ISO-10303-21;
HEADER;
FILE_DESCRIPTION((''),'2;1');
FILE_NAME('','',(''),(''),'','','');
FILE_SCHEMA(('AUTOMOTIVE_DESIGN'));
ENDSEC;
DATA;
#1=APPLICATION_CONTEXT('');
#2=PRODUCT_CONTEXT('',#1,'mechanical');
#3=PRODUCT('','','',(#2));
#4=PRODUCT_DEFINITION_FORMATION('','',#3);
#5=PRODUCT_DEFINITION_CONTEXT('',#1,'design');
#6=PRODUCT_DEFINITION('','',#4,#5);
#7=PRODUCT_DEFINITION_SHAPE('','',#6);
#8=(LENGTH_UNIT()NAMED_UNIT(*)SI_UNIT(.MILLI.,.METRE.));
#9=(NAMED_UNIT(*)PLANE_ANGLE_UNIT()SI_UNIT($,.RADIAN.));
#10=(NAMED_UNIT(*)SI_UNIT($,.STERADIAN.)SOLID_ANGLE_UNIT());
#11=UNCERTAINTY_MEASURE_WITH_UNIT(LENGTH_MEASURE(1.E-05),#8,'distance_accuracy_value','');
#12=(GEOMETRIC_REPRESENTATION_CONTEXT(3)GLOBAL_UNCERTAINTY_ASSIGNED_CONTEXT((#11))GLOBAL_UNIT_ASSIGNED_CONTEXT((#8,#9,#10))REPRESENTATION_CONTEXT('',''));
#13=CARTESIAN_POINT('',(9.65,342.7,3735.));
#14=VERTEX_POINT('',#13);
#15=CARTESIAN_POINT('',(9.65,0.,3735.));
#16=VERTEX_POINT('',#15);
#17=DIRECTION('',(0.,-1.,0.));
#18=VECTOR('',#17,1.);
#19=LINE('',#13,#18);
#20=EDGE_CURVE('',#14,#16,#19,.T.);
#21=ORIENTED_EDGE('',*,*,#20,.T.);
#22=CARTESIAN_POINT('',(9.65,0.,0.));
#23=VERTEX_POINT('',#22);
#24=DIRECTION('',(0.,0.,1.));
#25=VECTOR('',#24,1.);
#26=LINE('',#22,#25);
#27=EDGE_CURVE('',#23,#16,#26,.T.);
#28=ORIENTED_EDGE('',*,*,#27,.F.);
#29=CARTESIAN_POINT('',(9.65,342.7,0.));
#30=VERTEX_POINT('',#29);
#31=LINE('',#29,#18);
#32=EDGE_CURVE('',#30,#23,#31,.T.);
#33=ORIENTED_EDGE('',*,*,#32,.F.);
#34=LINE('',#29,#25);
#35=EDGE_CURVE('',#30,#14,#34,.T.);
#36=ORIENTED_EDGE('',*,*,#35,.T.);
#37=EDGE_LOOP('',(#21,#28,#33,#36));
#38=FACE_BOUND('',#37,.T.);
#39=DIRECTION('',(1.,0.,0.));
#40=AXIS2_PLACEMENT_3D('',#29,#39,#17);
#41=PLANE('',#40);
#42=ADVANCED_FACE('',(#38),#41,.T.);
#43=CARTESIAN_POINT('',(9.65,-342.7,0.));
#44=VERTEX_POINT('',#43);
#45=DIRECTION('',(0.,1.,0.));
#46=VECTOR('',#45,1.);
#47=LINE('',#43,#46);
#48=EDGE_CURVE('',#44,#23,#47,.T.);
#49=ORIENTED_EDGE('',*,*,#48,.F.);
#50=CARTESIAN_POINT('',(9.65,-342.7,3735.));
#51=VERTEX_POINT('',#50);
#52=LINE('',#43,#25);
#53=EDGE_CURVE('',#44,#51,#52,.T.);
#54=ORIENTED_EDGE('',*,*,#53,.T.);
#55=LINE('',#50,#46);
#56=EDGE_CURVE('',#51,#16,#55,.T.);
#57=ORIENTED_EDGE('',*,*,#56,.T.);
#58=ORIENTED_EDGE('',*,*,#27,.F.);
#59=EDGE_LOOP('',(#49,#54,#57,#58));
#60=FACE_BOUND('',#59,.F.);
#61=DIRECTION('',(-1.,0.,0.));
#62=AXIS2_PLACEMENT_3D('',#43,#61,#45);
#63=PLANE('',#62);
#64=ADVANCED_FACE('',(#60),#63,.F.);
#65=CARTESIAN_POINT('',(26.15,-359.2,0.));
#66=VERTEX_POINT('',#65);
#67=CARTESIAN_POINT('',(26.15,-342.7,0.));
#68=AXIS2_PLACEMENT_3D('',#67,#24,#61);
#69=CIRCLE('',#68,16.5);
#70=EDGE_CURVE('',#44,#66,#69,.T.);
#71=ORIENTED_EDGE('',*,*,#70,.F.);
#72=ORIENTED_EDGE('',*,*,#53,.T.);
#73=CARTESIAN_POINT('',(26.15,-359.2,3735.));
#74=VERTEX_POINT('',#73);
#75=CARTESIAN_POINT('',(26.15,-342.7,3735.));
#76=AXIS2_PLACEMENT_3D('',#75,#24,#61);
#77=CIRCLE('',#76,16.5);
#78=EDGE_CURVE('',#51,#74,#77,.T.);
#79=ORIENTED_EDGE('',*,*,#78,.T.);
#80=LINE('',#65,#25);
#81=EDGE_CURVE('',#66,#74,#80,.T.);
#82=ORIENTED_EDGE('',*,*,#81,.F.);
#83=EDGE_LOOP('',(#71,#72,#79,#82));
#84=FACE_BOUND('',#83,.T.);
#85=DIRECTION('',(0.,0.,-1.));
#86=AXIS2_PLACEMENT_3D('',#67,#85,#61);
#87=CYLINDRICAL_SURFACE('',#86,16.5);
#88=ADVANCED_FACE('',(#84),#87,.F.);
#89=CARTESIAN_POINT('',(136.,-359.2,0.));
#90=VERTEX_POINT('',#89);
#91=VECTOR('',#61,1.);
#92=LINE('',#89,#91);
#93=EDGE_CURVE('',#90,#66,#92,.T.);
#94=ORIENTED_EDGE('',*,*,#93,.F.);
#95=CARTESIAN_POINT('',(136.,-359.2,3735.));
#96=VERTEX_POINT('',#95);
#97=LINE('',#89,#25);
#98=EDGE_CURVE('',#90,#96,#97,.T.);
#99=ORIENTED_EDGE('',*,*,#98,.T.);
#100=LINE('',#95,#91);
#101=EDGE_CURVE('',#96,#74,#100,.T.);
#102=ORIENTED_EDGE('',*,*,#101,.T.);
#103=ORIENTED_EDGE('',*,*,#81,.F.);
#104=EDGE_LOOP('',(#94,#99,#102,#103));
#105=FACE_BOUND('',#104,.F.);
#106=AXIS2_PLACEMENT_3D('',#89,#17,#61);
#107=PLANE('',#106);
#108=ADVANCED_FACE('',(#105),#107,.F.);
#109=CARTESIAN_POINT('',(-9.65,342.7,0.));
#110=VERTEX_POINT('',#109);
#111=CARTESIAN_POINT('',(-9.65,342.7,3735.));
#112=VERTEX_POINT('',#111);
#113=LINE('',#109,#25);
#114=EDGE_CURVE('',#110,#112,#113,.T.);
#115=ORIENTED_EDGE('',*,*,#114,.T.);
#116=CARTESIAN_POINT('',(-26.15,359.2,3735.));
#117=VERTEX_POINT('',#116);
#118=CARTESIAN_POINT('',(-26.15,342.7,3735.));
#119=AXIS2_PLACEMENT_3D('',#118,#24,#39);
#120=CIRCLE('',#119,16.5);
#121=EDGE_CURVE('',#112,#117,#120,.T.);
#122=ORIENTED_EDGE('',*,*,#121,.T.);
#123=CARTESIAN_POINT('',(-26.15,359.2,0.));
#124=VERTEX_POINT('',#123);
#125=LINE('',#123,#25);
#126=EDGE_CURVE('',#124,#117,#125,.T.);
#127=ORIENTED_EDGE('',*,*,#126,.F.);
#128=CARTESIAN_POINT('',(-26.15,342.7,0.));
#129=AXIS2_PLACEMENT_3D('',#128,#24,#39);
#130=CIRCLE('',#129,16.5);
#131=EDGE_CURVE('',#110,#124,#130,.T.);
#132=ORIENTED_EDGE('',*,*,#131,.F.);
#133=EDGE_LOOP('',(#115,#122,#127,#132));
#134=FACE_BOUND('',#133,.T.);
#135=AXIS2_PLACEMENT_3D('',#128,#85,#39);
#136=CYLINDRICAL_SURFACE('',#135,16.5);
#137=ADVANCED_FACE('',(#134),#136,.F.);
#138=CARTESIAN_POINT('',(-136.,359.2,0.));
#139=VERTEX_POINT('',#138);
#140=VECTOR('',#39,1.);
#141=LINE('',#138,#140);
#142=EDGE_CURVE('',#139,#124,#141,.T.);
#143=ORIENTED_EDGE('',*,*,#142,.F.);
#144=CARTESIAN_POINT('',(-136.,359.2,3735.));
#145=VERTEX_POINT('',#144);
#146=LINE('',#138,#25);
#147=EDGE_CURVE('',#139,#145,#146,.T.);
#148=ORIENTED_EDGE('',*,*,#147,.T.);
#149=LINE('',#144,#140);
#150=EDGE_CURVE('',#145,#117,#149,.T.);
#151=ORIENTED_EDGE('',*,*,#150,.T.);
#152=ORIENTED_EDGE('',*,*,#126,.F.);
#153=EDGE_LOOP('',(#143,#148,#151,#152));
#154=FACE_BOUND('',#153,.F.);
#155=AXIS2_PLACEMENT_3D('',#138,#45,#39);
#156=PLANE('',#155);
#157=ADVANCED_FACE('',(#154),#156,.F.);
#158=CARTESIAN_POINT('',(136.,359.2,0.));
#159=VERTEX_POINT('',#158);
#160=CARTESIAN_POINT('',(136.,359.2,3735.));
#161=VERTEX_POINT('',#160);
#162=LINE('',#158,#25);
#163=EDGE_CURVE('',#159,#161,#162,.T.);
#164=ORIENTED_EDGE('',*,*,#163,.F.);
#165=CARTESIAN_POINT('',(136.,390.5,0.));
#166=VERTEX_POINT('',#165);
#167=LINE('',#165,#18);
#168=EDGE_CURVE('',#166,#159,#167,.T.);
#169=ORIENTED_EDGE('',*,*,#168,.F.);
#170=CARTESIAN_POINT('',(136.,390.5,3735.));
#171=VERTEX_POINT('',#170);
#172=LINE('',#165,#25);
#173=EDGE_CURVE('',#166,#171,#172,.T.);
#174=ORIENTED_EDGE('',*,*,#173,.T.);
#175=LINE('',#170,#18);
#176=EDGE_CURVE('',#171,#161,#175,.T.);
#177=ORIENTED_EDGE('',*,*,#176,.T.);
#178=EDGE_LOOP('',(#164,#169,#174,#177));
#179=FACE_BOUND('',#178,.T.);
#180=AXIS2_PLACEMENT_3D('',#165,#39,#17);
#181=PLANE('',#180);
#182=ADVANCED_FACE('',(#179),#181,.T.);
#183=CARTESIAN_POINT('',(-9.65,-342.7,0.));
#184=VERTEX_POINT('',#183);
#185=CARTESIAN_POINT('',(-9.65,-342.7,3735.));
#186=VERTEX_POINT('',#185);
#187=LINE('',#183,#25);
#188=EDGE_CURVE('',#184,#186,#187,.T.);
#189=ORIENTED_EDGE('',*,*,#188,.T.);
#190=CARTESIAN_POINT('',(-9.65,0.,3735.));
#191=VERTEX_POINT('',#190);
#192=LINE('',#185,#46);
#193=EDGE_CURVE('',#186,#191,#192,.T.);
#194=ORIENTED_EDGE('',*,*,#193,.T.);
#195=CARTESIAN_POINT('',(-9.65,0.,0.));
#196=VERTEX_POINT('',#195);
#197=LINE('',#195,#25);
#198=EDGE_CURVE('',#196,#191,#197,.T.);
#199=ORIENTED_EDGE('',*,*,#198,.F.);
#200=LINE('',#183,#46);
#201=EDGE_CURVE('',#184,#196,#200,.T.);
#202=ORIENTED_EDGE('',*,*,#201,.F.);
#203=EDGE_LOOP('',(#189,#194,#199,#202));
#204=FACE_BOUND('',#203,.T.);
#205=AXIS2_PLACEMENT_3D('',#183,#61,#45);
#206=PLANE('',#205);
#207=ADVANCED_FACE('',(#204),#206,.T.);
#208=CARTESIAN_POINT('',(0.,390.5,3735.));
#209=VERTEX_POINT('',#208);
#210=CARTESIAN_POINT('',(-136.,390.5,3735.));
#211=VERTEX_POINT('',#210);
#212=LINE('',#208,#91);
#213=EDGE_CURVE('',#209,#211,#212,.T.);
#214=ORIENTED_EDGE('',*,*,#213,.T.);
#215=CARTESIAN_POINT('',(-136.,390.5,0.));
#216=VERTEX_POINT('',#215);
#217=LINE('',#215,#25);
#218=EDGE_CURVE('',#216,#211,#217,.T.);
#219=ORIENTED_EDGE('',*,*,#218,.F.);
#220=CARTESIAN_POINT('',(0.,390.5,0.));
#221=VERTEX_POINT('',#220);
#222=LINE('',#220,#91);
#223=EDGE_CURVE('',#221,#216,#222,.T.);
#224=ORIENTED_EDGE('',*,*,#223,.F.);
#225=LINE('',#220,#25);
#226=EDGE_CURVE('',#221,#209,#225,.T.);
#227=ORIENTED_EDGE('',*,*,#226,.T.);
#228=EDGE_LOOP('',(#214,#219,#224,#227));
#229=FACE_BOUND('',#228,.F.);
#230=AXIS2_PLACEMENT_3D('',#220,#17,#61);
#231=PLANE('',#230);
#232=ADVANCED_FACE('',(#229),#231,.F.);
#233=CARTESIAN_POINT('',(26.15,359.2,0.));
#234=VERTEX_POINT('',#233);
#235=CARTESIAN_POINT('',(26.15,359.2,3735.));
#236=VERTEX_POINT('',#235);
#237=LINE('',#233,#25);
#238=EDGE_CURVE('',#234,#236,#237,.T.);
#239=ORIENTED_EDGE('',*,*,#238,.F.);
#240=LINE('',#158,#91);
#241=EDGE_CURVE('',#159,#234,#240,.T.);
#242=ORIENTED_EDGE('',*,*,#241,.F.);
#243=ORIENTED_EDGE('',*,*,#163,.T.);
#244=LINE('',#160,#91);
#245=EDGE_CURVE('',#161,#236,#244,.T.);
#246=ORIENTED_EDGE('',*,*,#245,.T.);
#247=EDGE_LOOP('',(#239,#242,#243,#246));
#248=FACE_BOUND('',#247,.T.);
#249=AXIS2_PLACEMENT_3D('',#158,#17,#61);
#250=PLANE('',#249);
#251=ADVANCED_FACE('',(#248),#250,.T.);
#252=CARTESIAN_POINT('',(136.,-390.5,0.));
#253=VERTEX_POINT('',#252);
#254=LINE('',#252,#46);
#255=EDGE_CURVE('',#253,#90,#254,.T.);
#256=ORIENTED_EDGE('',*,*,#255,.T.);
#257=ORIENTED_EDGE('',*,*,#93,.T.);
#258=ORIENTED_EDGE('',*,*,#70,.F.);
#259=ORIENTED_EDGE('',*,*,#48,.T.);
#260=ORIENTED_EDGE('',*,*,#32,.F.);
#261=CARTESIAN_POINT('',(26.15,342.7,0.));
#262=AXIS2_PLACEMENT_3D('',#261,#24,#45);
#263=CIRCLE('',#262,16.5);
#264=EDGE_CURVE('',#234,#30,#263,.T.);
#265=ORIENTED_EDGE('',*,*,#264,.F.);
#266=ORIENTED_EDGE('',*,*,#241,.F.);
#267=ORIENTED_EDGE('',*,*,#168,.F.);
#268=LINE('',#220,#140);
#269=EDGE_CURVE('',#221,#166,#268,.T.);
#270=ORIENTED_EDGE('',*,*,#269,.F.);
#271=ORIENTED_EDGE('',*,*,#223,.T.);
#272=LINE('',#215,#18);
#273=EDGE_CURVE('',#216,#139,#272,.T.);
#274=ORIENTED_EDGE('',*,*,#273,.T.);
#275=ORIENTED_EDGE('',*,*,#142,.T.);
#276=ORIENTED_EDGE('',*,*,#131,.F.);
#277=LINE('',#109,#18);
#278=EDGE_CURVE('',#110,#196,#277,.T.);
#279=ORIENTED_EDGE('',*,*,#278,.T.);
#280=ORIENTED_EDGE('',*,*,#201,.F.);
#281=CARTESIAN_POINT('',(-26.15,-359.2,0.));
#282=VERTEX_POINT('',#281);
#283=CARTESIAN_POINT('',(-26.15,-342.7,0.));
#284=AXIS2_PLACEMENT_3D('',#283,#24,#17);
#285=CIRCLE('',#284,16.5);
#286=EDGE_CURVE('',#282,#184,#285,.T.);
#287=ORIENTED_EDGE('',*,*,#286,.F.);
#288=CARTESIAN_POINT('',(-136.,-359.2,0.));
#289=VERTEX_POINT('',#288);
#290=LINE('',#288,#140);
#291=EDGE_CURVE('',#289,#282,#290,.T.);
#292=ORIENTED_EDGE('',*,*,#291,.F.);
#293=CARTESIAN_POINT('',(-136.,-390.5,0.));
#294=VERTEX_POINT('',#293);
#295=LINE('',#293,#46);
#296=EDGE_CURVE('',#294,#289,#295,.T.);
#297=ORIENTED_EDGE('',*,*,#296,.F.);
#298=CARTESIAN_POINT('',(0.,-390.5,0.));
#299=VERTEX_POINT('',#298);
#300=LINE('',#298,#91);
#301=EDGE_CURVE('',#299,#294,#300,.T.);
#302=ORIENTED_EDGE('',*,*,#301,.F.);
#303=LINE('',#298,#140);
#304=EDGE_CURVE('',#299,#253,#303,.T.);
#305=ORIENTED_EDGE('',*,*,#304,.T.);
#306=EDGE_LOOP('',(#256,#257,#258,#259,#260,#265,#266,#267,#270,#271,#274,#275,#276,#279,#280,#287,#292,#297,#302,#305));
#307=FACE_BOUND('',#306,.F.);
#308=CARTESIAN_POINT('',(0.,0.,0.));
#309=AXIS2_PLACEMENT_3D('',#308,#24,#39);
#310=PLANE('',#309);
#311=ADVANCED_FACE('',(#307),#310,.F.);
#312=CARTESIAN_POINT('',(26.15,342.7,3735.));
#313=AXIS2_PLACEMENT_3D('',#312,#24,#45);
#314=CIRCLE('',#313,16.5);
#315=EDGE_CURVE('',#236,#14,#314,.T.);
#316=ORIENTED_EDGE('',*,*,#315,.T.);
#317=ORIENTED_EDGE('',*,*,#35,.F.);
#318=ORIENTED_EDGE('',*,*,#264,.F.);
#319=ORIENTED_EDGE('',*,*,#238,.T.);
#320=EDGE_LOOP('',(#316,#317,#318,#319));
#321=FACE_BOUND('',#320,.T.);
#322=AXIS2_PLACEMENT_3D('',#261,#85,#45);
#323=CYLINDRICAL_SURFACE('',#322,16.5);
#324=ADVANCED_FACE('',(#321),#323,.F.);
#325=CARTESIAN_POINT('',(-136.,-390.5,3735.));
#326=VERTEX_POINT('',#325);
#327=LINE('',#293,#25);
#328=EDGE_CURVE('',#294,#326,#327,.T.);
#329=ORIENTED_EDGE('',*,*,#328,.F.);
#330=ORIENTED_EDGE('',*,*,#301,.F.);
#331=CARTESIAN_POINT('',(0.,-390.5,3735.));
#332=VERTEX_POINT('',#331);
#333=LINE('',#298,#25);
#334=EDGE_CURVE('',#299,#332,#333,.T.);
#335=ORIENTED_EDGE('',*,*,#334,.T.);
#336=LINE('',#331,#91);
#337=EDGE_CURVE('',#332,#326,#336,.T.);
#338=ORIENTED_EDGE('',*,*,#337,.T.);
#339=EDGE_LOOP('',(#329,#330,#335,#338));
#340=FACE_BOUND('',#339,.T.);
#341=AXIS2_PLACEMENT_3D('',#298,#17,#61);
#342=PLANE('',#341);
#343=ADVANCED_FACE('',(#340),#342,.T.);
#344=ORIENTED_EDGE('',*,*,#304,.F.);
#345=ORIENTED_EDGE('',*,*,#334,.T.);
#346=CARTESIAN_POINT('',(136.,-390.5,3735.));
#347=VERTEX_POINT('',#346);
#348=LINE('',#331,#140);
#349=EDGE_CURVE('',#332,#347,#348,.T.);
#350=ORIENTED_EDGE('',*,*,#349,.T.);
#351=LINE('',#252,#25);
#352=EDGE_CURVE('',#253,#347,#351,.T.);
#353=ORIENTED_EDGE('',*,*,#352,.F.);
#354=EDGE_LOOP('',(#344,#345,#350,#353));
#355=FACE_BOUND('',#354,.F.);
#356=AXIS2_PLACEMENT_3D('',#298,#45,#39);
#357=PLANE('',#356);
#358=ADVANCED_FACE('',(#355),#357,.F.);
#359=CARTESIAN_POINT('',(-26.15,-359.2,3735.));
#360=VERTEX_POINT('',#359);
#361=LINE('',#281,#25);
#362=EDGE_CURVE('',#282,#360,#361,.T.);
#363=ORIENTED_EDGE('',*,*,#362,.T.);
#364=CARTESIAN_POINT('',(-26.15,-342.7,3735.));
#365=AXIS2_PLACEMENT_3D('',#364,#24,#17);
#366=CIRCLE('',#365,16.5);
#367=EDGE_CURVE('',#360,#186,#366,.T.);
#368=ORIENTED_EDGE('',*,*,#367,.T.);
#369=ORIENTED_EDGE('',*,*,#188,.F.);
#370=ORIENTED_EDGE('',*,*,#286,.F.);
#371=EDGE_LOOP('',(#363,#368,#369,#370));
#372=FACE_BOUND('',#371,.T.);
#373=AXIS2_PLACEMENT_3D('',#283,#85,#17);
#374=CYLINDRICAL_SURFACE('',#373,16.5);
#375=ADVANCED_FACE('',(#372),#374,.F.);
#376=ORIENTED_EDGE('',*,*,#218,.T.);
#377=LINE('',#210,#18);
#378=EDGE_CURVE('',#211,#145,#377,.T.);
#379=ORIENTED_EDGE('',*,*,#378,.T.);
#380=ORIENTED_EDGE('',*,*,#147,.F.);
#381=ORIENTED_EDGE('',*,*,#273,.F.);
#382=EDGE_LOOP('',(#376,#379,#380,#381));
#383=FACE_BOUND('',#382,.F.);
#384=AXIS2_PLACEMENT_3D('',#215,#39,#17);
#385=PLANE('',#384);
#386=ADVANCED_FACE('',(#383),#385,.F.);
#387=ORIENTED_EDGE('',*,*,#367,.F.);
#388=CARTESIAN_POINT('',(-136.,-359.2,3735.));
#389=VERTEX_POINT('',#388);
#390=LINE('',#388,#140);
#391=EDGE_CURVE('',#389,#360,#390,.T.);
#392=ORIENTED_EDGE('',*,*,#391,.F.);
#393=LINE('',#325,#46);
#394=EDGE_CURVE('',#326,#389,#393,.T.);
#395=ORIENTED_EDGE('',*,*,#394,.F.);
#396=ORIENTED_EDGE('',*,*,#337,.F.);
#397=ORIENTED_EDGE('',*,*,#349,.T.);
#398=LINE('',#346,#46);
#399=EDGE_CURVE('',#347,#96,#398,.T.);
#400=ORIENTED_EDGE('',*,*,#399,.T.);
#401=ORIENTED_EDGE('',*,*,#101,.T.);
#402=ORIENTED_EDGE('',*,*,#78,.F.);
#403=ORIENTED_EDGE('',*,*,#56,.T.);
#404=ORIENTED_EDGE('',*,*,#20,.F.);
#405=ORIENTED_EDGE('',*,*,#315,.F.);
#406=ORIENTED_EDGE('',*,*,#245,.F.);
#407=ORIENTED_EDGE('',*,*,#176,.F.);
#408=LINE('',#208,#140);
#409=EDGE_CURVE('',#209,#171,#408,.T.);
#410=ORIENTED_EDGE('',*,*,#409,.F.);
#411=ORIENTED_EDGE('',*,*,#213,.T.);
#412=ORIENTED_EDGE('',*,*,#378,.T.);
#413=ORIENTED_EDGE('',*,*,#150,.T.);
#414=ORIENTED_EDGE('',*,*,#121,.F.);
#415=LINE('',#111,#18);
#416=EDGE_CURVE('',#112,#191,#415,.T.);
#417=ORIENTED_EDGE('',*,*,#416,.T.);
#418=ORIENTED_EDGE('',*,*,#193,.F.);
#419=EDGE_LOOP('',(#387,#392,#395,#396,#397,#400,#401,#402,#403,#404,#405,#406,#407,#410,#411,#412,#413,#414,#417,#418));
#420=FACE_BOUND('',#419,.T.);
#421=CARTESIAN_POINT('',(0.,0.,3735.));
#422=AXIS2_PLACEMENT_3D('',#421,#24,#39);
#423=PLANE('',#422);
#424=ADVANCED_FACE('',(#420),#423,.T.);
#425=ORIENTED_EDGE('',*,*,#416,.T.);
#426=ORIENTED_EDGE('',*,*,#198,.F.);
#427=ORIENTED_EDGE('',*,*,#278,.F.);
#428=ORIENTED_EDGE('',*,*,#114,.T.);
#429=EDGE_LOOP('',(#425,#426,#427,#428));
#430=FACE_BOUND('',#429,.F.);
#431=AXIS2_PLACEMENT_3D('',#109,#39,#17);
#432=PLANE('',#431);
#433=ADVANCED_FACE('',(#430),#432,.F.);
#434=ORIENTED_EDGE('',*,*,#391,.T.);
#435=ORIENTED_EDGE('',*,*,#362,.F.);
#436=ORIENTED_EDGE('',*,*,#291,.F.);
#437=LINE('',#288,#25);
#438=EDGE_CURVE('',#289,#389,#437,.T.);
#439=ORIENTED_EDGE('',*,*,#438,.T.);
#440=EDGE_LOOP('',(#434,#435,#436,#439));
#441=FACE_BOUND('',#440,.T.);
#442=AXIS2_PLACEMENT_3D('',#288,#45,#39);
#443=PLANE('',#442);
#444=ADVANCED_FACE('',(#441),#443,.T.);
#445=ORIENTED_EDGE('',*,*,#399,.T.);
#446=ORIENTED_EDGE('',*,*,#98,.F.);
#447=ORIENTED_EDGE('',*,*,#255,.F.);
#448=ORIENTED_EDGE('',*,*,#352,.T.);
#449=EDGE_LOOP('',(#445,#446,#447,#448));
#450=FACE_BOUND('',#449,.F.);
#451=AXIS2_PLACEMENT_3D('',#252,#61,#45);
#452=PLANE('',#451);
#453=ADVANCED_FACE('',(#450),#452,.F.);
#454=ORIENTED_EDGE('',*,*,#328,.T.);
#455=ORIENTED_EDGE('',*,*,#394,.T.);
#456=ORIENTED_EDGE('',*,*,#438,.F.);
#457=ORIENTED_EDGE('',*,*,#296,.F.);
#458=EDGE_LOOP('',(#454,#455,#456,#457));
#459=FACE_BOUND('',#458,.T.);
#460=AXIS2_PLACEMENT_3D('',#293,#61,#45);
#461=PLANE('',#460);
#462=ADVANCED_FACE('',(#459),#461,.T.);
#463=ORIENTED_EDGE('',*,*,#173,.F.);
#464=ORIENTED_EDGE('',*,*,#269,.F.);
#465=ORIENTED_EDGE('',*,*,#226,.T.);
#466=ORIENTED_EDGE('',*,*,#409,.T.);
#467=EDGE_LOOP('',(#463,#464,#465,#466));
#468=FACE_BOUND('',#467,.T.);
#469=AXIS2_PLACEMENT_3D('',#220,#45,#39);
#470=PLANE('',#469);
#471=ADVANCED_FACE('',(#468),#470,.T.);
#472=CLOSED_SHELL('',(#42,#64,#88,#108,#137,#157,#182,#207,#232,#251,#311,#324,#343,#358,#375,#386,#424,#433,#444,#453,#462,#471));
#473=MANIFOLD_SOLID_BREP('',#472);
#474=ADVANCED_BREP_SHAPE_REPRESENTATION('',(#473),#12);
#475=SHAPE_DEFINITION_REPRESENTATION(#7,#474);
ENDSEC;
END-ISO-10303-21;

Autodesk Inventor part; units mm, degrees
ref_plane "YZ Plane" through (0, 0, 0) normal (1, 0, 0) x (0, 1, 0)
ref_plane "Start plane" through (0, 0, 0) normal (0, 0, 1) x (1, 0, 0)
ref_plane "End plane" through (0, 0, 3735) normal (0, 0, 1) x (1, 0, 0)
sketch "Sketch" plane through (0, 0, 0) normal (0, 0, 1) x (1, 0, 0)
  line L0 (-136, -390.5) -> (-136, -359.2)
  line L1 (-136, -359.2) -> (-26.15, -359.2)
  line L2 (-9.65, -342.7) -> (-9.65, 0)
  line L3 (-9.65, 0) -> (0, 0) construction
  line L4 (0, 0) -> (0, -390.5) construction
  line L5 (0, -390.5) -> (-136, -390.5)
  line L6 (-60, 0) -> (80, 0) construction
  line L7 (0, -60) -> (0, 80) construction
  line L8 (136, -390.5) -> (136, -359.2)
  line L9 (136, -359.2) -> (26.15, -359.2)
  line L10 (9.65, -342.7) -> (9.65, 0)
  line L11 (9.65, 0) -> (0, 0) construction
  line L12 (0, -390.5) -> (136, -390.5)
  line L13 (-136, 390.5) -> (-136, 359.2)
  line L14 (-136, 359.2) -> (-26.15, 359.2)
  line L15 (-9.65, 342.7) -> (-9.65, 0)
  line L16 (0, 390.5) -> (-136, 390.5)
  line L17 (136, 390.5) -> (136, 359.2)
  line L18 (136, 359.2) -> (26.15, 359.2)
  line L19 (0, 390.5) -> (136, 390.5)
  line L20 (9.65, 342.7) -> (9.65, 0)
  arc A0 (-9.65, 342.7) -> (-26.15, 359.2) centre (-26.15, 342.7) ccw
  arc A1 (26.15, 359.2) -> (9.65, 342.7) centre (26.15, 342.7) ccw
  arc A2 (9.65, -342.7) -> (26.15, -359.2) centre (26.15, -342.7) ccw
  arc A3 (-26.15, -359.2) -> (-9.65, -342.7) centre (-26.15, -342.7) ccw
  line L21 (0, 108) -> (0, -88) construction
  line L22 (-88, 0) -> (108, 0) construction
  point P0 (-9.65, -359.2)
  point P1 (9.65, -359.2)
  point P2 (-9.65, 359.2)
  point P3 (9.65, 359.2)
  dimension "d1" = 390.5
  dimension "d2" = 31.3
  dimension "d3" = 136
  dimension "d4" = 9.65
  dimension "d10" = 16.5
extrude "Body" add sketch "Sketch" along normal up to surface (3735 mm away) from surface at 0
sketch "Sketch4" plane through (0, 0, 0) normal (0, 0, 1) x (1, 0, 0)
  line L0 (0, 0) -> (10, 0)
ref_plane "Work Plane3" through (0, 0, 0) normal (0, -1, 0) x (1, 0, 0)
sketch "Sketch5" plane through (0, 0, 0) normal (0, -1, 0) x (1, 0, 0)
  line L0 (-2, 0) -> (12, 0) projected
  line L1 (-2, 3735) -> (12, 3735) projected
  dimension "d14" = 3735
equation "\"d1\" = 0.5 * G_H"
equation "\"d2\" = G_T1"
equation "\"d3\" = 0.5 * G_W"
equation "\"d4\" = 0.5 * G_T"
equation "\"d10\" = G_IR"
equation "\"d5\" = G_L"
equation "\"G_W\" = 272"
equation "\"G_H\" = 781"
equation "\"G_T\" = 19.3"
equation "\"G_T1\" = 31.3"
equation "\"G_IR\" = 16.5"
equation "\"G_L\" = d14"
equation "\"G_OFFSET_START\" = 0"
equation "\"G_OFFSET_END\" = 0"
equation "\"d12\" = G_OFFSET_END + B_L"
equation "\"B_L\" = 3735"
properties part number "AS 3679-1990 - 760 UB - 244 - 3735" material "Steel, Mild"
